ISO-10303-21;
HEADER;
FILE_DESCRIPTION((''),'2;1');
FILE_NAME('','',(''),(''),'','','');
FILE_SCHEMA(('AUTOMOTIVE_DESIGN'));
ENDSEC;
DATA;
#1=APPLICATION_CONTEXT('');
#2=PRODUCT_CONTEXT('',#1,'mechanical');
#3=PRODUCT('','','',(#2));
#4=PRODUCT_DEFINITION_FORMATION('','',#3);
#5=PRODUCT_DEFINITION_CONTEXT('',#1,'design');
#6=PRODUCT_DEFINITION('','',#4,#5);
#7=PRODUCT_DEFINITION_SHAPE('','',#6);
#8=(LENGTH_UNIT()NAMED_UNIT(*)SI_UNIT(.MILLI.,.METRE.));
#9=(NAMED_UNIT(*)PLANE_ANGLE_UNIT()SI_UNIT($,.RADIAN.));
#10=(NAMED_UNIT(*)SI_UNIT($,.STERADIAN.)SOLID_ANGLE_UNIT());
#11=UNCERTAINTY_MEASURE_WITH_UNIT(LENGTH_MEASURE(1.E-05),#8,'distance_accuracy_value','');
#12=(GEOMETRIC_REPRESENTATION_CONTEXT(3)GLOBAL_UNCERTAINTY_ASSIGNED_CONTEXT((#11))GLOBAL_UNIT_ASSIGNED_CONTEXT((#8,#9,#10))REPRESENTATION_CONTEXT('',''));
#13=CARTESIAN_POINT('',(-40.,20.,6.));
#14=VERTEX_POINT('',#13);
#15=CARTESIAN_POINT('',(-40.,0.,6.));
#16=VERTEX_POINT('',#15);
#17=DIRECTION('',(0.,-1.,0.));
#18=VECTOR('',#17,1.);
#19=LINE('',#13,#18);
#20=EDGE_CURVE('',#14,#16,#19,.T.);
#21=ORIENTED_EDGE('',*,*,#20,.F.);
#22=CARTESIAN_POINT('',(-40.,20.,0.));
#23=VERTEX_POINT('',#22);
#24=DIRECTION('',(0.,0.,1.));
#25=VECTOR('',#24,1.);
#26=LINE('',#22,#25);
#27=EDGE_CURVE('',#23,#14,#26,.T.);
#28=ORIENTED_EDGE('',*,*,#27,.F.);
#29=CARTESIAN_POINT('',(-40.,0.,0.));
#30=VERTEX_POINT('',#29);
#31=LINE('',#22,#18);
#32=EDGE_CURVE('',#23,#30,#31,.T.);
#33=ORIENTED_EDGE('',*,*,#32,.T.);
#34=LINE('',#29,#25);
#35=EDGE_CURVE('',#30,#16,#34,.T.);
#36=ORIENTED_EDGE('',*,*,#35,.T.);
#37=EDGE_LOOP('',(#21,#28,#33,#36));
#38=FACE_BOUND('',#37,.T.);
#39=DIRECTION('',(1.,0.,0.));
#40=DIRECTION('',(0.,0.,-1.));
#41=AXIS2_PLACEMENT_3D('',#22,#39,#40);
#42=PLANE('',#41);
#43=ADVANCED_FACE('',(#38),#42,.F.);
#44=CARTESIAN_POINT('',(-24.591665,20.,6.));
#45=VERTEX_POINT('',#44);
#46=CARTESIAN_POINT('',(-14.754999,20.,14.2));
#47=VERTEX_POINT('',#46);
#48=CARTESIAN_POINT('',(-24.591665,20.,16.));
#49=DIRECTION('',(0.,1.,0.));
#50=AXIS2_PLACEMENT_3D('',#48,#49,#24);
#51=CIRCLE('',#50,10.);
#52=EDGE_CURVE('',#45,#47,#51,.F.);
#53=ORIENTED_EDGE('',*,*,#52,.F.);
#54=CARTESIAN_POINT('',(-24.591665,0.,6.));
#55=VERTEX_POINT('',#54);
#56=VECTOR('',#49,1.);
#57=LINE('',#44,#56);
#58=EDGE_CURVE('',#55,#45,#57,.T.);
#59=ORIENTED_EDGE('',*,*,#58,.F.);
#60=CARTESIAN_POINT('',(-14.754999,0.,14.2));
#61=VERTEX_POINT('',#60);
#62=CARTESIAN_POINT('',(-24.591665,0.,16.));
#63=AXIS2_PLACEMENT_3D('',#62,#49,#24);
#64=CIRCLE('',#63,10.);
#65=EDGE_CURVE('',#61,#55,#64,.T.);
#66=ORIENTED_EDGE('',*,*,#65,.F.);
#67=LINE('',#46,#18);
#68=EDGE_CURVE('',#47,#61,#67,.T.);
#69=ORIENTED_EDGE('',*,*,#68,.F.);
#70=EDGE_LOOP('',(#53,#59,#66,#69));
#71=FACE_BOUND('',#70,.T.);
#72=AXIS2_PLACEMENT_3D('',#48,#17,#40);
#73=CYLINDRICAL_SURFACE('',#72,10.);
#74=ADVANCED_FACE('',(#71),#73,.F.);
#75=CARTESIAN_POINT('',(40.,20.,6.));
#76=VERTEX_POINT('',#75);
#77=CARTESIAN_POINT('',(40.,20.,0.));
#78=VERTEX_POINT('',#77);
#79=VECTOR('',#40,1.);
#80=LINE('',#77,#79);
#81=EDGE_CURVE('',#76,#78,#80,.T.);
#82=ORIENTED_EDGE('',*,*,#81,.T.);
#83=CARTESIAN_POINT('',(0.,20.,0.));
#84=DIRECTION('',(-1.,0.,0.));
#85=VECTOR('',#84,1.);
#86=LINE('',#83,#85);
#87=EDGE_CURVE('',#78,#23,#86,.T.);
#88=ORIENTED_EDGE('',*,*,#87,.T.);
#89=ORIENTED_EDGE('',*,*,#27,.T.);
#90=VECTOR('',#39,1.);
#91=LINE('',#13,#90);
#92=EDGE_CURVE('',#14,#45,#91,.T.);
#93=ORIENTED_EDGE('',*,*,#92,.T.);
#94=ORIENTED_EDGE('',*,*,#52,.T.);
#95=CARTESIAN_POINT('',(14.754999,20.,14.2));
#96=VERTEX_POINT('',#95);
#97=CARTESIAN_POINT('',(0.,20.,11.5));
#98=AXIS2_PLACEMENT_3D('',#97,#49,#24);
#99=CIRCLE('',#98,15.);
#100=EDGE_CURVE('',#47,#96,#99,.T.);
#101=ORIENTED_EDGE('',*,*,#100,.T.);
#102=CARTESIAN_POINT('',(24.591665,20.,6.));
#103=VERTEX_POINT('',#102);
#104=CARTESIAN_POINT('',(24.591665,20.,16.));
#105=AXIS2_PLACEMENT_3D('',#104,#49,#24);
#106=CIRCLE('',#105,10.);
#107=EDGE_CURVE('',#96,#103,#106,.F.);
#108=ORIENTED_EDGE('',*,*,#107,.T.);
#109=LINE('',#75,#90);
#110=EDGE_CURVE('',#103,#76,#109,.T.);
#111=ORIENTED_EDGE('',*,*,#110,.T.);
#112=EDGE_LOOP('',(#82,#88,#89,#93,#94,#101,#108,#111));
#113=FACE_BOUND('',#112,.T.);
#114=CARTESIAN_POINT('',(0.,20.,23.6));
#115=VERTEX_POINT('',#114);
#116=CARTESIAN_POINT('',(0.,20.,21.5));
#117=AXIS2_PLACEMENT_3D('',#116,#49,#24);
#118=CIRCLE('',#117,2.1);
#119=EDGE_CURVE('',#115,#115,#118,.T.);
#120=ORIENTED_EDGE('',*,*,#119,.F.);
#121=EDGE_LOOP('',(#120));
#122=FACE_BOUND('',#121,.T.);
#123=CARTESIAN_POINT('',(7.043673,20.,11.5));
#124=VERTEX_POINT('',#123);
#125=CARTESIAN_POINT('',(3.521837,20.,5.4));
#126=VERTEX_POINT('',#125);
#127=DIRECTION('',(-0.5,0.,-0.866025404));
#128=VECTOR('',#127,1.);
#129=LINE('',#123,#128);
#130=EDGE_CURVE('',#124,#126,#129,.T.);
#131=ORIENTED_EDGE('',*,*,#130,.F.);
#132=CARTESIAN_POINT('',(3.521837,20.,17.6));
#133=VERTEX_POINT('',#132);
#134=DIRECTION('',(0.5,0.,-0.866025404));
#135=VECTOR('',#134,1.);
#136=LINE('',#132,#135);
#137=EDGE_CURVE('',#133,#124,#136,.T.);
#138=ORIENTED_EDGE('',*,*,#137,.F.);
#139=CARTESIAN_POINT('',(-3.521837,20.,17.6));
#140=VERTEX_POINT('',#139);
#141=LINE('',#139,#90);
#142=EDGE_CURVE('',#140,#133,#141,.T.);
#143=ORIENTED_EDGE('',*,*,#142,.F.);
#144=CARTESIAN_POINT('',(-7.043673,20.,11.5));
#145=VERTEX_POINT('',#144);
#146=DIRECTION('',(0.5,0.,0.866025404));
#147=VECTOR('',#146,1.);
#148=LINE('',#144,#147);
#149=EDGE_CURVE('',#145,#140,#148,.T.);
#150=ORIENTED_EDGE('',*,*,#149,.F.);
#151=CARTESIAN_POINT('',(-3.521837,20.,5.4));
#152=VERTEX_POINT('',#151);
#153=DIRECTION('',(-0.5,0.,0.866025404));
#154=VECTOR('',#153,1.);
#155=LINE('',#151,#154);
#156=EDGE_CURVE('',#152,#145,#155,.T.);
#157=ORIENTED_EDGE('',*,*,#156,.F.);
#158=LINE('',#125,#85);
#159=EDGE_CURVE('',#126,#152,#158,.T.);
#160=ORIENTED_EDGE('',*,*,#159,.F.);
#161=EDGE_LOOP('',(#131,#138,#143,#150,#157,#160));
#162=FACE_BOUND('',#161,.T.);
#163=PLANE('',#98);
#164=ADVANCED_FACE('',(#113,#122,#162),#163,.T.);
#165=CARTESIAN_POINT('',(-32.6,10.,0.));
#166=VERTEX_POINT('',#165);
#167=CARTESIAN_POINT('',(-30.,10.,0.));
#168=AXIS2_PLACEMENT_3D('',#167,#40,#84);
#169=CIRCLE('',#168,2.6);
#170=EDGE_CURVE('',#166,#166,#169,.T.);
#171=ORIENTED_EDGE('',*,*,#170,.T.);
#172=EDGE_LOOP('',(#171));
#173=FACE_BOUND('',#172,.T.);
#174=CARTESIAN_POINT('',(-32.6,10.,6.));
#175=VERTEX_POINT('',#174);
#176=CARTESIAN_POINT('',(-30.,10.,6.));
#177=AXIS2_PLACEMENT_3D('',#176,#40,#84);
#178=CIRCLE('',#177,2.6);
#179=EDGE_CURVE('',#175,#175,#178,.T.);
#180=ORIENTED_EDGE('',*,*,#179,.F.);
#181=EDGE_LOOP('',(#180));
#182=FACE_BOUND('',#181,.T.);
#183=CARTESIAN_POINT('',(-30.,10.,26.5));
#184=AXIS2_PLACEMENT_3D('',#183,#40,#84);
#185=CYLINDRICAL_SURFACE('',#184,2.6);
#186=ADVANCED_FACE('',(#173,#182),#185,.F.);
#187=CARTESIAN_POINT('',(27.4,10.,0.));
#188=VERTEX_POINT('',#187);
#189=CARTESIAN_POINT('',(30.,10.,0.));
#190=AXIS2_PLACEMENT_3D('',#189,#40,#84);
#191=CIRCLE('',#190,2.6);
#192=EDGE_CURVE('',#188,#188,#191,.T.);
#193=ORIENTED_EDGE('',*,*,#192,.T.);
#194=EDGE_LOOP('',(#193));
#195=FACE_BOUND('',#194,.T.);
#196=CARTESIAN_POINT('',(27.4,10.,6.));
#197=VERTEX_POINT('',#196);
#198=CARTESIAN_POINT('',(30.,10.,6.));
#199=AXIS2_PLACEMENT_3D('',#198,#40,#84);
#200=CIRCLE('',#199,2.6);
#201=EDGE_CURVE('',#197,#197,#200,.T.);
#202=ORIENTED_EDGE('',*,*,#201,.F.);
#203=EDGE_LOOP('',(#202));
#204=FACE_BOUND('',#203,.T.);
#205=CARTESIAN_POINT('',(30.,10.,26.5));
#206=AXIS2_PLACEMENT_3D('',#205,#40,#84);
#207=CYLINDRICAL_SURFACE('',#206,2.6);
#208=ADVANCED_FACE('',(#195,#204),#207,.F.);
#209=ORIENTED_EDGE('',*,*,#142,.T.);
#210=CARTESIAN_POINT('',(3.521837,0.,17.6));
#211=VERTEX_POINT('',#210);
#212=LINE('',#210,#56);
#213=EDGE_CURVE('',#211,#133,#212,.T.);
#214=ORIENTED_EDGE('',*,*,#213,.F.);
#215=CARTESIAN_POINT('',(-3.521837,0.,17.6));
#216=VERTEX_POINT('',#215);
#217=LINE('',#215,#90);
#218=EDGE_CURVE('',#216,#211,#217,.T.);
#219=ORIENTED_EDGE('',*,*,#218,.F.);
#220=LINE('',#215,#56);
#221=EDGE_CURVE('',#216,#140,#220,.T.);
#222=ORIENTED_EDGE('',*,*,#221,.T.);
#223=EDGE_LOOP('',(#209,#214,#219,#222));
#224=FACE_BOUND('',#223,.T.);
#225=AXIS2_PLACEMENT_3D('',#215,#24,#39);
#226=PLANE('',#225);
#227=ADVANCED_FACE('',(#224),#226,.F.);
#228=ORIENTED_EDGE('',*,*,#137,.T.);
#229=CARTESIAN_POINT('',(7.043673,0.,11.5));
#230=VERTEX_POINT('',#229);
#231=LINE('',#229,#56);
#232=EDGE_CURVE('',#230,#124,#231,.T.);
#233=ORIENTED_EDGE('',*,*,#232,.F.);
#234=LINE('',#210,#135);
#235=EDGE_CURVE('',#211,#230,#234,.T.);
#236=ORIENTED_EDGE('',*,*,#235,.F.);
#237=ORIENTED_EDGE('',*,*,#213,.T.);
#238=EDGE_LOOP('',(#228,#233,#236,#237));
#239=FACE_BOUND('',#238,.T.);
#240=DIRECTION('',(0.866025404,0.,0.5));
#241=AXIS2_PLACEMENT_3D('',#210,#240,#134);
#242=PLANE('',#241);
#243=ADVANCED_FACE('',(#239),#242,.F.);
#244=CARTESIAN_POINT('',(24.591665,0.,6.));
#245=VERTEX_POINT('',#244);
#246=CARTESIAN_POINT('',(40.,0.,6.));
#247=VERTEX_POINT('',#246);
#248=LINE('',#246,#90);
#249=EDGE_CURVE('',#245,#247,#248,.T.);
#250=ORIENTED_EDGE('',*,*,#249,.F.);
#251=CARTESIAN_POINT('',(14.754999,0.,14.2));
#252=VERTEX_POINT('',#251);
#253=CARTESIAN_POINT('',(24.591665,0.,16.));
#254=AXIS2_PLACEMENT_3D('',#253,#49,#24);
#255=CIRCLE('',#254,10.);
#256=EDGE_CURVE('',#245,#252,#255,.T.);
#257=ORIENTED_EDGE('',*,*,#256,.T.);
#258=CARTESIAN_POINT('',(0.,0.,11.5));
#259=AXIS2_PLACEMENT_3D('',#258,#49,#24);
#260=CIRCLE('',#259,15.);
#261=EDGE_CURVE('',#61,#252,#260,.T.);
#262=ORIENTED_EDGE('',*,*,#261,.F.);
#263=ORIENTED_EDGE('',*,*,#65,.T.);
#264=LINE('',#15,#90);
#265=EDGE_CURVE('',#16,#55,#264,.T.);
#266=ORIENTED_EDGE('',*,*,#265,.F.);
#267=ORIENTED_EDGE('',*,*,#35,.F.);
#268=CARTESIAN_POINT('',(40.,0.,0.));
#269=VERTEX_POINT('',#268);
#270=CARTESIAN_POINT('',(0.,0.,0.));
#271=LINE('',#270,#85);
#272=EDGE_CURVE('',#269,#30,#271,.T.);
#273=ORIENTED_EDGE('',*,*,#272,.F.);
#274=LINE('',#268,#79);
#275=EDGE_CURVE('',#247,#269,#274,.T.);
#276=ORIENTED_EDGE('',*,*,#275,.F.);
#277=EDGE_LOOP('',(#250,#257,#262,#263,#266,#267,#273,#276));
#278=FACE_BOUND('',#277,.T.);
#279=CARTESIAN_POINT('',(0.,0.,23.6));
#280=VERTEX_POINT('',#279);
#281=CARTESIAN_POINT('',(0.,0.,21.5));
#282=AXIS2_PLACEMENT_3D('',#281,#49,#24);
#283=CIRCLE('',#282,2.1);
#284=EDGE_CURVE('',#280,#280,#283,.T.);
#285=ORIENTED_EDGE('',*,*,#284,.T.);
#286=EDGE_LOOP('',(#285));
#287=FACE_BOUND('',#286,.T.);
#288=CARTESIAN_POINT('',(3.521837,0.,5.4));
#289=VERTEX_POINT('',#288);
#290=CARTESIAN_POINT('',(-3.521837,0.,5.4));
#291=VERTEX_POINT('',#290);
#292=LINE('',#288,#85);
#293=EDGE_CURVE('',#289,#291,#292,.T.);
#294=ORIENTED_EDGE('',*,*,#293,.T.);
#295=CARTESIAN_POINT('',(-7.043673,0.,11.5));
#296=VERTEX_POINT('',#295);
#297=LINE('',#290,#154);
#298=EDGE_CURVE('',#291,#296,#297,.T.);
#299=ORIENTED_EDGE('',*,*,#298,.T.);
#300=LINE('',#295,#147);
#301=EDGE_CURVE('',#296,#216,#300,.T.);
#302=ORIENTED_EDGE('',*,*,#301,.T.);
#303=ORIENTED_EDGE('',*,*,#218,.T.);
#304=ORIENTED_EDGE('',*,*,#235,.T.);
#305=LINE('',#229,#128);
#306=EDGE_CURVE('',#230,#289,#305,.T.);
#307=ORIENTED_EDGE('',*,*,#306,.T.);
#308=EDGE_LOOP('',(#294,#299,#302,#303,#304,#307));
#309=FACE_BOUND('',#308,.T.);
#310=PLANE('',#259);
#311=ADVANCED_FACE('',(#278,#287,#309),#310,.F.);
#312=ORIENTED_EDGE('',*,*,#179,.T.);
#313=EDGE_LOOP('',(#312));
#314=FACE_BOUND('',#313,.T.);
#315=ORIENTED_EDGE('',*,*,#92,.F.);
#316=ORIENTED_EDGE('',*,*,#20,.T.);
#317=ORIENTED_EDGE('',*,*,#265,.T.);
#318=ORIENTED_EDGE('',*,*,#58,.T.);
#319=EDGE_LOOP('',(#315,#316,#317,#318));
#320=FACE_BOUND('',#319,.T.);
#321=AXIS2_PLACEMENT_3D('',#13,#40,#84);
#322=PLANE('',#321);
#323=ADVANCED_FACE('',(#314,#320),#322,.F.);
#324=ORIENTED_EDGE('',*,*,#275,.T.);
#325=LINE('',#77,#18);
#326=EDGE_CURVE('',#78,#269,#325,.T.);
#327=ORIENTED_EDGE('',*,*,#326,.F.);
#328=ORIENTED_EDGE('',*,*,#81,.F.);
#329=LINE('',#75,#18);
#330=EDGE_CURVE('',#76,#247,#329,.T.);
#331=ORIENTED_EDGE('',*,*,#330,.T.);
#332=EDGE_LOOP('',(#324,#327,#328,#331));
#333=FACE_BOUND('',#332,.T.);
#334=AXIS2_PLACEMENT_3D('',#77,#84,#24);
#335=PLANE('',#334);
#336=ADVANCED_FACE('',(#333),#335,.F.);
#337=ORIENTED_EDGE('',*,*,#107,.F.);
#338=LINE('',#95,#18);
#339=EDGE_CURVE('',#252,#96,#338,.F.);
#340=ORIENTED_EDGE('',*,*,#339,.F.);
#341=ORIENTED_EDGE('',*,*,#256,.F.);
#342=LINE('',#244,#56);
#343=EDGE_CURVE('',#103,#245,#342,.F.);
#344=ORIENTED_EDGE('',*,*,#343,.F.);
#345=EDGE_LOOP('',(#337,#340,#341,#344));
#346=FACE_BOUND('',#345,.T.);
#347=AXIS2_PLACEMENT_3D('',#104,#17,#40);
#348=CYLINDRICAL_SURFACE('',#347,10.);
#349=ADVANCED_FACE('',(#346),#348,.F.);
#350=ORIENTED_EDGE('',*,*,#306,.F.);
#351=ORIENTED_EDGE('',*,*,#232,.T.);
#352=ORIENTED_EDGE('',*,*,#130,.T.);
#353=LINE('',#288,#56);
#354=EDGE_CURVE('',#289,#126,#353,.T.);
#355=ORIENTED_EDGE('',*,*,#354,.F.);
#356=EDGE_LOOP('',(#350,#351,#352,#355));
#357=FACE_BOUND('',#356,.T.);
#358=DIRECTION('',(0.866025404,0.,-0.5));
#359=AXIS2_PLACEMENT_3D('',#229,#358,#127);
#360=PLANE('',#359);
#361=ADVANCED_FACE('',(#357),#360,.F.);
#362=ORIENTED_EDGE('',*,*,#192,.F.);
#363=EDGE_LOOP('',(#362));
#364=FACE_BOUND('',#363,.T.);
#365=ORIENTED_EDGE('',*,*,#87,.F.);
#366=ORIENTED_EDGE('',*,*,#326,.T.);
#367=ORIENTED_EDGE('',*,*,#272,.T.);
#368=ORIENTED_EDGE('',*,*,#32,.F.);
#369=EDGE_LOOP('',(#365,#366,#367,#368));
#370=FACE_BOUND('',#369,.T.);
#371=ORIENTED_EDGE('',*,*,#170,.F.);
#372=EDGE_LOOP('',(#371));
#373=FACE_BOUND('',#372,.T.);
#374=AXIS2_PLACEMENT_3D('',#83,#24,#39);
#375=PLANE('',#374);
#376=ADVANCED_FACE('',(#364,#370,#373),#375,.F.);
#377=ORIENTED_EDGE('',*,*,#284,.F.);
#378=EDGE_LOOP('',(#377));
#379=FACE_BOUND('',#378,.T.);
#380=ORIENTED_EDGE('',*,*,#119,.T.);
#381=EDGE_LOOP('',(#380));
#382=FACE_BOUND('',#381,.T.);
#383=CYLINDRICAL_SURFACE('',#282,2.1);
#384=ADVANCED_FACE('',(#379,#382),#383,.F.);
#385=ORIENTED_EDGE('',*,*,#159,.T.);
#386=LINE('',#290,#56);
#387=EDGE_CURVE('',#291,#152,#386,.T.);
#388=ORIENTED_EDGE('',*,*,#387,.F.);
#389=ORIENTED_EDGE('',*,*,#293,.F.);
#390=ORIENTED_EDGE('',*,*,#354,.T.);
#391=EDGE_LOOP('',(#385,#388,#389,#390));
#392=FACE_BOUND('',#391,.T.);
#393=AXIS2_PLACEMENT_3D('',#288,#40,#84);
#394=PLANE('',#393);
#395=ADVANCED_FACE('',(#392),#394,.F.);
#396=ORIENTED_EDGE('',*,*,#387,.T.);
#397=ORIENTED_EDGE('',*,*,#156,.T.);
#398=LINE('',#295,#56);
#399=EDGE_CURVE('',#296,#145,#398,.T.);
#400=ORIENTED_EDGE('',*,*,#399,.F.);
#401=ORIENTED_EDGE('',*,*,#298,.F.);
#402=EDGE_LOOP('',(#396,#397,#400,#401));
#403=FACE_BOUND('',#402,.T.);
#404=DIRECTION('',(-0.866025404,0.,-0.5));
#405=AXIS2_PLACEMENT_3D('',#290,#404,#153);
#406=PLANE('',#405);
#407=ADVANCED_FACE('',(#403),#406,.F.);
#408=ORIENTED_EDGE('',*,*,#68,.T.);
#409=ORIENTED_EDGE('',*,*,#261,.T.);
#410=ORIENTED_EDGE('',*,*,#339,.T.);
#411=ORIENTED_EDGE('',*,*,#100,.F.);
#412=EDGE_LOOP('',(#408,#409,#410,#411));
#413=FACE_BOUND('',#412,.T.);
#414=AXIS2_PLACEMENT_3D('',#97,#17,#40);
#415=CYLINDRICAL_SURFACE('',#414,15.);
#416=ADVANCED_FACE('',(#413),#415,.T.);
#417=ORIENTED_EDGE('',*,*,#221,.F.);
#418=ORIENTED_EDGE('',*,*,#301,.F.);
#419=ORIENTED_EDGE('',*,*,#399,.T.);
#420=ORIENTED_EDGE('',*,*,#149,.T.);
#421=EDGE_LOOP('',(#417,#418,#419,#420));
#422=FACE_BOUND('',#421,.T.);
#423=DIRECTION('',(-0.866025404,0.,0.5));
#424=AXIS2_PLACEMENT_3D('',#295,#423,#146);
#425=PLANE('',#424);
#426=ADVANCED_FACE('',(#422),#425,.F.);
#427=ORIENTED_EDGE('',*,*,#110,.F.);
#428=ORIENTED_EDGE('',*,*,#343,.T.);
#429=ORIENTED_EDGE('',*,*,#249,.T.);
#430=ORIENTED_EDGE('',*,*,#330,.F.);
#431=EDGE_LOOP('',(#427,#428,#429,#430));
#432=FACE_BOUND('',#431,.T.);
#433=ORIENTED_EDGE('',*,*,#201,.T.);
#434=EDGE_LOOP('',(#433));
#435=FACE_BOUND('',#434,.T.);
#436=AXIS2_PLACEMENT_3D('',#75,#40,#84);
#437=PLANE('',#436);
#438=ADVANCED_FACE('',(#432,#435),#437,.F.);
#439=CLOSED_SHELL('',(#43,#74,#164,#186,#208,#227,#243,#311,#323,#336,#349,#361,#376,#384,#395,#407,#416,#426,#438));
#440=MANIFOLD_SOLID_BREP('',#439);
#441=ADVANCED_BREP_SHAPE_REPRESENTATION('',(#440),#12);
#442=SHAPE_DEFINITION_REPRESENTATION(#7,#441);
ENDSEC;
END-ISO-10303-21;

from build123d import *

# Parameters (mm, degrees)
BOSS_EXTRUDE1_DEPTH = 20
FILLET1_R           = 10
CUT_EXTRUDE1_DEPTH  = 52.983170353
SKETCH3_R           = 2.1
CUT_EXTRUDE2_DEPTH  = 52.983170353
SKETCH4_R           = 2.6
CUT_EXTRUDE3_DEPTH  = 52.983170353


with BuildPart() as part:
    # Sketch1 → Boss-Extrude1 (new body)
    with BuildSketch(Plane(origin=(0, 0, 0), x_dir=(1, 0, 0), z_dir=(0, 1, 0))):
        with BuildLine():
            Line((0, 0), (40, 0))
            Line((40, 0), (40, -6))
            Line((40, -6), (13.955285737, -6))
            ThreePointArc((13.955285737, -6), (0, -26.5), (-13.955285737, -6))
            Line((-13.955285737, -6), (-40, -6))
            Line((-40, -6), (-40, 0))
            Line((-40, 0), (0, 0))
        make_face()
    extrude(amount=BOSS_EXTRUDE1_DEPTH)

    # Fillet1
    fillet1_edges = [part.edges().sort_by_distance(p)[0] for p in [
        (13.955285737, 10, 6),
        (-13.955285737, 10, 6),
    ]]
    fillet(fillet1_edges, radius=FILLET1_R)

    # Sketch2 → Cut-Extrude1 (cut, through all)
    with BuildSketch(Plane(origin=(0, 20, 0), x_dir=(1, 0, 0), z_dir=(0, 1, 0))):
        Polygon((-7.043673284, -11.5), (-3.521836642, -17.6), (3.521836642, -17.6), (7.043673284, -11.5), (3.521836642, -5.4), (-3.521836642, -5.4), align=None)
    extrude(amount=-CUT_EXTRUDE1_DEPTH, mode=Mode.SUBTRACT)

    # Sketch3 → Cut-Extrude2 (cut, through all)
    with BuildSketch(Plane(origin=(0, 20, 0), x_dir=(1, 0, 0), z_dir=(0, 1, 0))):
        with Locations(Location((0, -21.5, 0), (0, 0, 270))):
            Circle(SKETCH3_R)
    extrude(amount=-CUT_EXTRUDE2_DEPTH, mode=Mode.SUBTRACT)

    # Sketch4 → Cut-Extrude3 (cut, through all)
    with BuildSketch(Plane(origin=(0, 0, 0), x_dir=(-1, 0, 0), z_dir=(0, 0, -1))):
        with Locations((-30, 10)):
            Circle(SKETCH4_R)
        with Locations((30, 10)):
            Circle(SKETCH4_R)
    extrude(amount=-CUT_EXTRUDE3_DEPTH, mode=Mode.SUBTRACT)


solid = part.part
